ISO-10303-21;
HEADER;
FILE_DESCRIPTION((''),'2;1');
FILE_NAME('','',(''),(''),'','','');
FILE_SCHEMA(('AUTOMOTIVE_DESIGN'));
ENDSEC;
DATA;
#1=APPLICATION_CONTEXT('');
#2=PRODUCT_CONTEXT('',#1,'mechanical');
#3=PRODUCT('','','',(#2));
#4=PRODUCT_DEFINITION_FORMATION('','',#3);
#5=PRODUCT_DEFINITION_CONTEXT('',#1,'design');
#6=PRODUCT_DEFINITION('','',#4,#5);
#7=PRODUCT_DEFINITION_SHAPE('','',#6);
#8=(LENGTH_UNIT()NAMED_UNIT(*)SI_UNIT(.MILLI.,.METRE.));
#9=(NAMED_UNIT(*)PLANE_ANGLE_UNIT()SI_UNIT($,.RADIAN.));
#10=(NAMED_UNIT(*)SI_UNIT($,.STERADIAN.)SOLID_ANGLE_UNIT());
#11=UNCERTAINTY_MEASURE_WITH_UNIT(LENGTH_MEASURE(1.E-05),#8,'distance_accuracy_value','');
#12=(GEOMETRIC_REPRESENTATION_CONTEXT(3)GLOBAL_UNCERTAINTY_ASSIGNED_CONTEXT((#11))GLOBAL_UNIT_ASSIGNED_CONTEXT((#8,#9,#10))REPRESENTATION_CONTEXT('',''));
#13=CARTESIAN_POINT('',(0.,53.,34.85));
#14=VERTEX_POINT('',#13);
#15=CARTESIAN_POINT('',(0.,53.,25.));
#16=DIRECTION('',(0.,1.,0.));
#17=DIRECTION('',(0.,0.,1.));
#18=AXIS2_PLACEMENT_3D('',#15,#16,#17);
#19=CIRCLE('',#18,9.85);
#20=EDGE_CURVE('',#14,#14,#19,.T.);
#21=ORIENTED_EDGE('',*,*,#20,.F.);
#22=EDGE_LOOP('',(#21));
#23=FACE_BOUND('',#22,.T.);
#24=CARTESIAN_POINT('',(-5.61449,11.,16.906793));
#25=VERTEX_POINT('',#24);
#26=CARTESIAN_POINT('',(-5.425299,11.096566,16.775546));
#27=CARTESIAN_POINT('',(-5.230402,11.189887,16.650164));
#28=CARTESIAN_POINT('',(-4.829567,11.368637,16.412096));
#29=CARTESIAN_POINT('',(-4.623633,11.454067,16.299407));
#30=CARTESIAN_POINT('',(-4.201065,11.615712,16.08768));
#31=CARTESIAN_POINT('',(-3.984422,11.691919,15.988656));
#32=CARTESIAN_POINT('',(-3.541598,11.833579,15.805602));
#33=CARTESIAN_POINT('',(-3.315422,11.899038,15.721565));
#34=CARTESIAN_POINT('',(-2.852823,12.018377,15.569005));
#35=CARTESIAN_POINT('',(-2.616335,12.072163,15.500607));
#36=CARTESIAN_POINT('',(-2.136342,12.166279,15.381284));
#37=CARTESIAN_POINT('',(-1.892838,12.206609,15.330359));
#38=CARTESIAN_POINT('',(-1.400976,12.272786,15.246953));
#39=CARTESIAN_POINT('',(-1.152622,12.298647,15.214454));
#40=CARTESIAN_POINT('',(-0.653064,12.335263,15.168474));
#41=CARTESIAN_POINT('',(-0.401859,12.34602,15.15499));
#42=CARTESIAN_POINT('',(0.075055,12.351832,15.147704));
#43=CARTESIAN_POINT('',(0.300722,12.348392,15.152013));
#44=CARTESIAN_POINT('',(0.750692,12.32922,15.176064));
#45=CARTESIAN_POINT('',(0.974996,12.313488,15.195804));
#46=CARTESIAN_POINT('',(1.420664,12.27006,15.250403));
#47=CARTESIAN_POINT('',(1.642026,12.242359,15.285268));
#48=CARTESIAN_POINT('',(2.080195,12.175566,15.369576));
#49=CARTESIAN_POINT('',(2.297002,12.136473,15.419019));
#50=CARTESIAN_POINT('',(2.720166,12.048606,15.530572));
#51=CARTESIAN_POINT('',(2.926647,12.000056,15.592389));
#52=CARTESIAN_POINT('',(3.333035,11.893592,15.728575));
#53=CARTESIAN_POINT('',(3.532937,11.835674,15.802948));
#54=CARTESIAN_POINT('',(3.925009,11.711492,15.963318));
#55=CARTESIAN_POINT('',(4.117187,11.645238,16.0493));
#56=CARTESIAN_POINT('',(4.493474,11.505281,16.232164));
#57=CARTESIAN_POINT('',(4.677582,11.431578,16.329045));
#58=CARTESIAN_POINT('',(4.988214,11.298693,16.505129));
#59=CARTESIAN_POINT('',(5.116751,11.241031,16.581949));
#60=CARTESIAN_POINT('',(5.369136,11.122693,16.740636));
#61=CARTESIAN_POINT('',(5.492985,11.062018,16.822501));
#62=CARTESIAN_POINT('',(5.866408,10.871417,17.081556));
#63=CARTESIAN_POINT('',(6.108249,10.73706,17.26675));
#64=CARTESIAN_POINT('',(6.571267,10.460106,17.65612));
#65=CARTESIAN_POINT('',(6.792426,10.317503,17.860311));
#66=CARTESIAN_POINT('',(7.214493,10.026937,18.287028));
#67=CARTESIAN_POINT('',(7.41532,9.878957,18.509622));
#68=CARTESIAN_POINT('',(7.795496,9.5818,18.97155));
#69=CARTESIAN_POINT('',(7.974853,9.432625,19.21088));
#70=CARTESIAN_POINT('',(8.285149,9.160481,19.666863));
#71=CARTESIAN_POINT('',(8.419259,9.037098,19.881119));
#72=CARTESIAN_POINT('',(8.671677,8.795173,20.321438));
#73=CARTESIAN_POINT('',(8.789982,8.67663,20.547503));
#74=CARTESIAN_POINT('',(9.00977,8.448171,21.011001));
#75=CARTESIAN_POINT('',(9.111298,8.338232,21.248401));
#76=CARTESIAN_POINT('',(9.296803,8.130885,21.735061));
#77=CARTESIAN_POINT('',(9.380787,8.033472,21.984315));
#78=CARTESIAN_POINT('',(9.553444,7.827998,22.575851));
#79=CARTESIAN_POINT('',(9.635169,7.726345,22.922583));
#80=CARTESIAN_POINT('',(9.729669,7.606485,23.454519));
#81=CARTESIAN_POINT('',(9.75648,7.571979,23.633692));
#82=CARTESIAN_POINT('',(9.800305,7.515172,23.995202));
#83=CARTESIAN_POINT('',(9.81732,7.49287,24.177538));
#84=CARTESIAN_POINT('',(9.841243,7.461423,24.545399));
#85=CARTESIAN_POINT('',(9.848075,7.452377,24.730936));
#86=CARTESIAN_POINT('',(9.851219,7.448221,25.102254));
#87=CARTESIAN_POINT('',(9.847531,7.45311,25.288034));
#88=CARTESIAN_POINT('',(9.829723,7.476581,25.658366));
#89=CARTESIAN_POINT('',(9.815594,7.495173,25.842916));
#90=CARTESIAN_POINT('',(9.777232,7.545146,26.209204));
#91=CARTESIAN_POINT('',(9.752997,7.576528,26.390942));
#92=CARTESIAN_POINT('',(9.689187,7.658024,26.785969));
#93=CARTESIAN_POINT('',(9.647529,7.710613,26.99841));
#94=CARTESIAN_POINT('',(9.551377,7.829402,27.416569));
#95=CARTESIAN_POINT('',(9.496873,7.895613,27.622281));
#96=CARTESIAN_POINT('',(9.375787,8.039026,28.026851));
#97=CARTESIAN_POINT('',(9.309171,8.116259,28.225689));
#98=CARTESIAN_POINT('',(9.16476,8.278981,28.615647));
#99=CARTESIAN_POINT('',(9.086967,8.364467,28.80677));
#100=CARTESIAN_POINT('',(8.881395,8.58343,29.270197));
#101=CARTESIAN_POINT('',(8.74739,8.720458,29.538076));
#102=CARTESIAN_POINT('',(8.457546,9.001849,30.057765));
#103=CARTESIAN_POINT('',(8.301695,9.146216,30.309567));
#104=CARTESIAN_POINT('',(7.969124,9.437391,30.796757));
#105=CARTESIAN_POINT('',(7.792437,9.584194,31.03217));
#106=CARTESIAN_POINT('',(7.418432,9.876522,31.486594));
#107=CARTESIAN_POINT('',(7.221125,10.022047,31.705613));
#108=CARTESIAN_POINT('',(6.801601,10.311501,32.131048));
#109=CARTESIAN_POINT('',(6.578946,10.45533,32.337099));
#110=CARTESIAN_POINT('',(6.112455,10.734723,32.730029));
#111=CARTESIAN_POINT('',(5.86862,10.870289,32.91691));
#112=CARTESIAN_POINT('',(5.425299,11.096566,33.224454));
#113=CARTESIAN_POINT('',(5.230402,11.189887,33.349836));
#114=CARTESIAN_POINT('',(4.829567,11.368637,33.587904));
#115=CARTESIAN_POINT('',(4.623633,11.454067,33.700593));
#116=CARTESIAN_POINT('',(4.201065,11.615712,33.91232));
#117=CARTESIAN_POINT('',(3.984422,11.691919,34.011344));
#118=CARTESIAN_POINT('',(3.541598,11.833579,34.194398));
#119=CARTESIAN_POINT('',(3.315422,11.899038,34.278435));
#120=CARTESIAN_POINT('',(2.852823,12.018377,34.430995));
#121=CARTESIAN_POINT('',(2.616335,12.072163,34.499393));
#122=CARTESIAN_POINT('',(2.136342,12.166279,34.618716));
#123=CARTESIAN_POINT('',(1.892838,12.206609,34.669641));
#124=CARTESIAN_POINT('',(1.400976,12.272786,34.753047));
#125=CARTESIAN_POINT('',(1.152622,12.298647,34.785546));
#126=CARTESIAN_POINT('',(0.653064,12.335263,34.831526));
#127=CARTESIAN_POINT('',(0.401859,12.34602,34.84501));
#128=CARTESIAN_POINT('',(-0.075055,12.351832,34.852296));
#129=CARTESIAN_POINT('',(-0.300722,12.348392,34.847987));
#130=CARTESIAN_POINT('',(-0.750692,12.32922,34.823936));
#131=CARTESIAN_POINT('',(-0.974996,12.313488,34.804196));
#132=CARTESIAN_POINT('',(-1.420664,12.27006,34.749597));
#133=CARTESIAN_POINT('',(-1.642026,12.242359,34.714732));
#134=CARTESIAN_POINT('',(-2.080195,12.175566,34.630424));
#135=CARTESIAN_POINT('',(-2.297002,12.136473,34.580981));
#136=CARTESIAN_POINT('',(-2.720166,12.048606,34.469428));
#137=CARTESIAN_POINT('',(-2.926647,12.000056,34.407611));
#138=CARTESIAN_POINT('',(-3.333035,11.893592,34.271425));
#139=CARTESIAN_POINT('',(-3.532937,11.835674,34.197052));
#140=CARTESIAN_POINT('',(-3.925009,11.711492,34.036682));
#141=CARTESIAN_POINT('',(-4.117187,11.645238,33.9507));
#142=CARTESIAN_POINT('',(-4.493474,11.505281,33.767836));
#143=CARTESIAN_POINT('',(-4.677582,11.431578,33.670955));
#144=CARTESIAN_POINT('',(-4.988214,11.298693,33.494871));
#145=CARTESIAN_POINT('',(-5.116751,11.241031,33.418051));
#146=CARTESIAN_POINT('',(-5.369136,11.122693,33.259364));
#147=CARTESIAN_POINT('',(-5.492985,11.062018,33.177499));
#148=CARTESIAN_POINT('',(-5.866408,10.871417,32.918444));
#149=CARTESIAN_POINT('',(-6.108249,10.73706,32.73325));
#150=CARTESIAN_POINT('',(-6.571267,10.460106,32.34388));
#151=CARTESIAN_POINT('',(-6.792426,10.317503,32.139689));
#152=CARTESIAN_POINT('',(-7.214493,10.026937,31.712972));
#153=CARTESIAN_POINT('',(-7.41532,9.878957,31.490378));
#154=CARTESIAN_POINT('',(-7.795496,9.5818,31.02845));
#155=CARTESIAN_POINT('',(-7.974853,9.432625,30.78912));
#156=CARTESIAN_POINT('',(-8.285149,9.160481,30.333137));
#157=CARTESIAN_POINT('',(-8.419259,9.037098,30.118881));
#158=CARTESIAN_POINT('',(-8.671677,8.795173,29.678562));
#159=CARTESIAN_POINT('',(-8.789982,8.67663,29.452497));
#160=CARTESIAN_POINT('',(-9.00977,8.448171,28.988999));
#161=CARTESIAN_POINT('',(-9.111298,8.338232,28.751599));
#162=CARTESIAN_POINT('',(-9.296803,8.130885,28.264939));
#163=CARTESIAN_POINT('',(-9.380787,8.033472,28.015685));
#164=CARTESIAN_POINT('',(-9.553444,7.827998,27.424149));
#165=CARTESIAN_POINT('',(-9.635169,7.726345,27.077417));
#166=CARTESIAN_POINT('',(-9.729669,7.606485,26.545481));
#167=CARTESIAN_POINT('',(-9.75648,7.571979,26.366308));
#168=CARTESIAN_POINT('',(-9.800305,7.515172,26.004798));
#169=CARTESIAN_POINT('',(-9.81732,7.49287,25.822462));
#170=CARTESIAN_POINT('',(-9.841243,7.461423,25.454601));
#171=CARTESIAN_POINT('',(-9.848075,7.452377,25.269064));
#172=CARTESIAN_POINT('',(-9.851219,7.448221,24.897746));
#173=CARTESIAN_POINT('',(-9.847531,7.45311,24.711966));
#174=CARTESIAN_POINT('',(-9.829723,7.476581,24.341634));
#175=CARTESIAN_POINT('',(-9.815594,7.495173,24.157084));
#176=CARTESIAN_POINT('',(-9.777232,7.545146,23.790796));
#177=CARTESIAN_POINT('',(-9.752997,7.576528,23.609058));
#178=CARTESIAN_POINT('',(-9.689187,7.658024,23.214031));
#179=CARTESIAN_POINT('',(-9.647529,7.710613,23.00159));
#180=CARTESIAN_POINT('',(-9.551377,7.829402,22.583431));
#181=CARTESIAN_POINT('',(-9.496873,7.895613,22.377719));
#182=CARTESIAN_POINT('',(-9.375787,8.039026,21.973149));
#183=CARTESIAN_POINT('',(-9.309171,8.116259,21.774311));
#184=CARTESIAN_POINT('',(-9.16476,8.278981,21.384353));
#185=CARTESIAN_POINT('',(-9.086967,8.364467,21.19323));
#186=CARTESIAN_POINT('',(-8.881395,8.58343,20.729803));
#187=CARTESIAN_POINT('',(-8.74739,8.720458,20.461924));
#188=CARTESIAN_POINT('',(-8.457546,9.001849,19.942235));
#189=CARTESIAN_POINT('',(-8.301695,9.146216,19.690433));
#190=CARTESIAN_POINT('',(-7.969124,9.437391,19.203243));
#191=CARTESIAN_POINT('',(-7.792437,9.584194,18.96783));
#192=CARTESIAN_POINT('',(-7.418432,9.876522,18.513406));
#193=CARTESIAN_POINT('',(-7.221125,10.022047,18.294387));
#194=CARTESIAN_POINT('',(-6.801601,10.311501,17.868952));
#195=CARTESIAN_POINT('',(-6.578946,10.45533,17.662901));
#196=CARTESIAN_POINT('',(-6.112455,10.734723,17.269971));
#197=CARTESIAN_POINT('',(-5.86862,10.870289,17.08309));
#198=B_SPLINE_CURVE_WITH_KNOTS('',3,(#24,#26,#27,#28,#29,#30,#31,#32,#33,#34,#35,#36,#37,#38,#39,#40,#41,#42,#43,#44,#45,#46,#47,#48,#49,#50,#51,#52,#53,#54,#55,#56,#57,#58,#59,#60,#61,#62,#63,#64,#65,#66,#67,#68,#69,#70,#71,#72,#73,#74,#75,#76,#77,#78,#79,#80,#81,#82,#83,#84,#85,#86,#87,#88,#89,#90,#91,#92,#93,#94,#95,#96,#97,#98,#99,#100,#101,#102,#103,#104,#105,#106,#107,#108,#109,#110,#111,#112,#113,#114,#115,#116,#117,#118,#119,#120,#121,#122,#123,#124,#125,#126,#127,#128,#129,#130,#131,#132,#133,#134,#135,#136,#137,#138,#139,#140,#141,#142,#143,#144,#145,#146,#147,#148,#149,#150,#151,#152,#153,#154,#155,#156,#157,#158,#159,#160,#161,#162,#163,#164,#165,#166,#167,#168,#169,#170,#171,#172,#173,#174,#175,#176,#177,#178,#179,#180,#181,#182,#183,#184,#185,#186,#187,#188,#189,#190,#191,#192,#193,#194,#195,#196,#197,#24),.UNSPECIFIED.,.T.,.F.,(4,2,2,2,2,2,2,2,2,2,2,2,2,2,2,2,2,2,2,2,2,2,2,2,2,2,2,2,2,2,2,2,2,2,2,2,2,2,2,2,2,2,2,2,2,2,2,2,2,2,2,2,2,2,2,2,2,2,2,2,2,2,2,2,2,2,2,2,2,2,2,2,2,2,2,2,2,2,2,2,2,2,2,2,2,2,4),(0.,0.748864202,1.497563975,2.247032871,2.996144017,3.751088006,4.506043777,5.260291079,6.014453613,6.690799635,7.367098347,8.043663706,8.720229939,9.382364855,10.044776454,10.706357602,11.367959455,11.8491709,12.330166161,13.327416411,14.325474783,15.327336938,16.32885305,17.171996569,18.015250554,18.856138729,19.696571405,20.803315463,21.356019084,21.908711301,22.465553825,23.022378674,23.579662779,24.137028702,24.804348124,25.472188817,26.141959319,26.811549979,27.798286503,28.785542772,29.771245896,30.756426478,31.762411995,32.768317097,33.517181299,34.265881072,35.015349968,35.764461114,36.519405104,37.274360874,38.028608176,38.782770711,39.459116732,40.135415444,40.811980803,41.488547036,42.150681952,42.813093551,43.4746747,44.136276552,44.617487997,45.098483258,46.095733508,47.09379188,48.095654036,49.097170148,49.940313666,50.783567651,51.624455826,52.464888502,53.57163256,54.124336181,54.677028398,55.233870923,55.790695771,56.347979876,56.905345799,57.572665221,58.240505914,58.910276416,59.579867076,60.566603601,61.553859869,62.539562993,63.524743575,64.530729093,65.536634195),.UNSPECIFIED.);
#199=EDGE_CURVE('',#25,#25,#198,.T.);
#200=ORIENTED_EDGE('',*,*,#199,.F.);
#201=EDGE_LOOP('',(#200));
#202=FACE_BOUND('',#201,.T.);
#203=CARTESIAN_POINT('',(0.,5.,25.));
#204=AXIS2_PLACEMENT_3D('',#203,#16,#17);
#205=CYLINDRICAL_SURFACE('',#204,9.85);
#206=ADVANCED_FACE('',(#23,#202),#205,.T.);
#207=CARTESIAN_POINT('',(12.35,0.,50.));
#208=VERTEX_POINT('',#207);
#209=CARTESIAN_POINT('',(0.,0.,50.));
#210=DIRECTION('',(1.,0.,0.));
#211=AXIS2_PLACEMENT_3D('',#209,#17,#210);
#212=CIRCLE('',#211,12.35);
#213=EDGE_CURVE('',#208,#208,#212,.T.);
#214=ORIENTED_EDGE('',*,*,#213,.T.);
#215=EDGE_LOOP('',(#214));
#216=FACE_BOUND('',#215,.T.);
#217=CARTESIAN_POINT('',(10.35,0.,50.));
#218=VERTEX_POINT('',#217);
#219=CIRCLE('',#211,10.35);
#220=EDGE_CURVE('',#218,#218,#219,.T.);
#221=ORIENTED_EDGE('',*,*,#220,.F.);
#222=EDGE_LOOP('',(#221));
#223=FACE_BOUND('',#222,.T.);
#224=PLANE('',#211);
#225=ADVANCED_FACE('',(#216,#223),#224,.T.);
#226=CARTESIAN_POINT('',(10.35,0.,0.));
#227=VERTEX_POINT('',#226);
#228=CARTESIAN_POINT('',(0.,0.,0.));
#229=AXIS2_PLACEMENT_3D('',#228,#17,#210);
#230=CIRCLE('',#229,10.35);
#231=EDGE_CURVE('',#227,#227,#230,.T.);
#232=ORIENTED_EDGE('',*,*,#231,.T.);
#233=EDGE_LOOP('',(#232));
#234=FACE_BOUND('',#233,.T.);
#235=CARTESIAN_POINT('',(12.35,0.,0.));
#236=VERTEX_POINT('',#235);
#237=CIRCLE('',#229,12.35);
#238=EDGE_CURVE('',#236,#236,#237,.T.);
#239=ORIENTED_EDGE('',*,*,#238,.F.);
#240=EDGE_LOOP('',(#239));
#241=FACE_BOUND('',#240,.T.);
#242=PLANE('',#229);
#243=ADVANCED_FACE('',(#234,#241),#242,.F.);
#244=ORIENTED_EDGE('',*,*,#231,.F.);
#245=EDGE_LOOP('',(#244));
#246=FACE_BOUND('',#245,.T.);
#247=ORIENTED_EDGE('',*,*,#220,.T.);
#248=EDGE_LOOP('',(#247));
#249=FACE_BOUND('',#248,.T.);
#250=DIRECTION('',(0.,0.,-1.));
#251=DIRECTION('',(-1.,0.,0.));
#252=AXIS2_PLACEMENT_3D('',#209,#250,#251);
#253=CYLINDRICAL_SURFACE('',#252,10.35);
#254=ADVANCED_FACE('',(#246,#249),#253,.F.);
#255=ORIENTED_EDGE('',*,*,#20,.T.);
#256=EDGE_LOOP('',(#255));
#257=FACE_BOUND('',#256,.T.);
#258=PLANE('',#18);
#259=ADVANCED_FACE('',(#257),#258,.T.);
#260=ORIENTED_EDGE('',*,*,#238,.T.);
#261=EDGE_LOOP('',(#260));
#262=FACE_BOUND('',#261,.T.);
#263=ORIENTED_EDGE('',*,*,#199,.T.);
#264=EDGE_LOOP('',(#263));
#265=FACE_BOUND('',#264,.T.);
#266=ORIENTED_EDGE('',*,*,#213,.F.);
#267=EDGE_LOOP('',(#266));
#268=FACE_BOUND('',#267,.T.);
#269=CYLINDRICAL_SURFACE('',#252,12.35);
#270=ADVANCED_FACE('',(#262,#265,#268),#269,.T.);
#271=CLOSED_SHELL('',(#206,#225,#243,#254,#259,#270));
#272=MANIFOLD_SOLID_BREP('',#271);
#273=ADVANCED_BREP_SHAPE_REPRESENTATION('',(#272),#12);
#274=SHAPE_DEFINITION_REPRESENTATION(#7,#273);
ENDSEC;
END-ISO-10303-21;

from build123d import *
from build123d.topology import SkipClean

# Parameters (mm, degrees)
SKETCH1_R           = 12.35
SKETCH1_R_2         = 10.35
BOSS_EXTRUDE1_DEPTH = 50
SKETCH2_R           = 9.85
BOSS_EXTRUDE2_DEPTH = 42
SKETCH2_3_R         = 9.85
BOSS_EXTRUDE3_DEPTH = 6
SKETCH1_2_R         = 10.35
CUT_EXTRUDE1_DEPTH  = 51


with BuildPart() as part:
    # Sketch1 → Boss-Extrude1 (new body)
    with BuildSketch(Plane.XY):
        Circle(SKETCH1_R)
        Circle(SKETCH1_R_2, mode=Mode.SUBTRACT)
    extrude(amount=BOSS_EXTRUDE1_DEPTH)



with BuildPart() as body_2:
    # Sketch2 → Boss-Extrude2 (new body)
    with BuildSketch(Plane(origin=(0, 11, 0), x_dir=(1, 0, 0), z_dir=(0, 1, 0))):
        with Locations((0, -25)):
            Circle(SKETCH2_R)
    extrude(amount=BOSS_EXTRUDE2_DEPTH)


with BuildPart() as part_1:
    with SkipClean():  # the faces are left unmerged after this step: merging them gives an invalid solid
        add(part.part)

        add(body_2.part)  # Boss-Extrude3 merges body 2
        # Sketch2<3> → Boss-Extrude3 (add)
        with BuildSketch(Plane(origin=(0, 11, 0), x_dir=(1, 0, 0), z_dir=(0, 1, 0))):
            with Locations((0, -25)):
                Circle(SKETCH2_3_R)
        extrude(amount=-BOSS_EXTRUDE3_DEPTH)

    # Sketch1<2> → Cut-Extrude1 (cut)
    with SkipClean():  # the faces are left unmerged after this step: merging them gives an invalid solid
        with BuildSketch(Plane.XY):
            Circle(SKETCH1_2_R)
        extrude(amount=CUT_EXTRUDE1_DEPTH, mode=Mode.SUBTRACT)


solid = part_1.part
